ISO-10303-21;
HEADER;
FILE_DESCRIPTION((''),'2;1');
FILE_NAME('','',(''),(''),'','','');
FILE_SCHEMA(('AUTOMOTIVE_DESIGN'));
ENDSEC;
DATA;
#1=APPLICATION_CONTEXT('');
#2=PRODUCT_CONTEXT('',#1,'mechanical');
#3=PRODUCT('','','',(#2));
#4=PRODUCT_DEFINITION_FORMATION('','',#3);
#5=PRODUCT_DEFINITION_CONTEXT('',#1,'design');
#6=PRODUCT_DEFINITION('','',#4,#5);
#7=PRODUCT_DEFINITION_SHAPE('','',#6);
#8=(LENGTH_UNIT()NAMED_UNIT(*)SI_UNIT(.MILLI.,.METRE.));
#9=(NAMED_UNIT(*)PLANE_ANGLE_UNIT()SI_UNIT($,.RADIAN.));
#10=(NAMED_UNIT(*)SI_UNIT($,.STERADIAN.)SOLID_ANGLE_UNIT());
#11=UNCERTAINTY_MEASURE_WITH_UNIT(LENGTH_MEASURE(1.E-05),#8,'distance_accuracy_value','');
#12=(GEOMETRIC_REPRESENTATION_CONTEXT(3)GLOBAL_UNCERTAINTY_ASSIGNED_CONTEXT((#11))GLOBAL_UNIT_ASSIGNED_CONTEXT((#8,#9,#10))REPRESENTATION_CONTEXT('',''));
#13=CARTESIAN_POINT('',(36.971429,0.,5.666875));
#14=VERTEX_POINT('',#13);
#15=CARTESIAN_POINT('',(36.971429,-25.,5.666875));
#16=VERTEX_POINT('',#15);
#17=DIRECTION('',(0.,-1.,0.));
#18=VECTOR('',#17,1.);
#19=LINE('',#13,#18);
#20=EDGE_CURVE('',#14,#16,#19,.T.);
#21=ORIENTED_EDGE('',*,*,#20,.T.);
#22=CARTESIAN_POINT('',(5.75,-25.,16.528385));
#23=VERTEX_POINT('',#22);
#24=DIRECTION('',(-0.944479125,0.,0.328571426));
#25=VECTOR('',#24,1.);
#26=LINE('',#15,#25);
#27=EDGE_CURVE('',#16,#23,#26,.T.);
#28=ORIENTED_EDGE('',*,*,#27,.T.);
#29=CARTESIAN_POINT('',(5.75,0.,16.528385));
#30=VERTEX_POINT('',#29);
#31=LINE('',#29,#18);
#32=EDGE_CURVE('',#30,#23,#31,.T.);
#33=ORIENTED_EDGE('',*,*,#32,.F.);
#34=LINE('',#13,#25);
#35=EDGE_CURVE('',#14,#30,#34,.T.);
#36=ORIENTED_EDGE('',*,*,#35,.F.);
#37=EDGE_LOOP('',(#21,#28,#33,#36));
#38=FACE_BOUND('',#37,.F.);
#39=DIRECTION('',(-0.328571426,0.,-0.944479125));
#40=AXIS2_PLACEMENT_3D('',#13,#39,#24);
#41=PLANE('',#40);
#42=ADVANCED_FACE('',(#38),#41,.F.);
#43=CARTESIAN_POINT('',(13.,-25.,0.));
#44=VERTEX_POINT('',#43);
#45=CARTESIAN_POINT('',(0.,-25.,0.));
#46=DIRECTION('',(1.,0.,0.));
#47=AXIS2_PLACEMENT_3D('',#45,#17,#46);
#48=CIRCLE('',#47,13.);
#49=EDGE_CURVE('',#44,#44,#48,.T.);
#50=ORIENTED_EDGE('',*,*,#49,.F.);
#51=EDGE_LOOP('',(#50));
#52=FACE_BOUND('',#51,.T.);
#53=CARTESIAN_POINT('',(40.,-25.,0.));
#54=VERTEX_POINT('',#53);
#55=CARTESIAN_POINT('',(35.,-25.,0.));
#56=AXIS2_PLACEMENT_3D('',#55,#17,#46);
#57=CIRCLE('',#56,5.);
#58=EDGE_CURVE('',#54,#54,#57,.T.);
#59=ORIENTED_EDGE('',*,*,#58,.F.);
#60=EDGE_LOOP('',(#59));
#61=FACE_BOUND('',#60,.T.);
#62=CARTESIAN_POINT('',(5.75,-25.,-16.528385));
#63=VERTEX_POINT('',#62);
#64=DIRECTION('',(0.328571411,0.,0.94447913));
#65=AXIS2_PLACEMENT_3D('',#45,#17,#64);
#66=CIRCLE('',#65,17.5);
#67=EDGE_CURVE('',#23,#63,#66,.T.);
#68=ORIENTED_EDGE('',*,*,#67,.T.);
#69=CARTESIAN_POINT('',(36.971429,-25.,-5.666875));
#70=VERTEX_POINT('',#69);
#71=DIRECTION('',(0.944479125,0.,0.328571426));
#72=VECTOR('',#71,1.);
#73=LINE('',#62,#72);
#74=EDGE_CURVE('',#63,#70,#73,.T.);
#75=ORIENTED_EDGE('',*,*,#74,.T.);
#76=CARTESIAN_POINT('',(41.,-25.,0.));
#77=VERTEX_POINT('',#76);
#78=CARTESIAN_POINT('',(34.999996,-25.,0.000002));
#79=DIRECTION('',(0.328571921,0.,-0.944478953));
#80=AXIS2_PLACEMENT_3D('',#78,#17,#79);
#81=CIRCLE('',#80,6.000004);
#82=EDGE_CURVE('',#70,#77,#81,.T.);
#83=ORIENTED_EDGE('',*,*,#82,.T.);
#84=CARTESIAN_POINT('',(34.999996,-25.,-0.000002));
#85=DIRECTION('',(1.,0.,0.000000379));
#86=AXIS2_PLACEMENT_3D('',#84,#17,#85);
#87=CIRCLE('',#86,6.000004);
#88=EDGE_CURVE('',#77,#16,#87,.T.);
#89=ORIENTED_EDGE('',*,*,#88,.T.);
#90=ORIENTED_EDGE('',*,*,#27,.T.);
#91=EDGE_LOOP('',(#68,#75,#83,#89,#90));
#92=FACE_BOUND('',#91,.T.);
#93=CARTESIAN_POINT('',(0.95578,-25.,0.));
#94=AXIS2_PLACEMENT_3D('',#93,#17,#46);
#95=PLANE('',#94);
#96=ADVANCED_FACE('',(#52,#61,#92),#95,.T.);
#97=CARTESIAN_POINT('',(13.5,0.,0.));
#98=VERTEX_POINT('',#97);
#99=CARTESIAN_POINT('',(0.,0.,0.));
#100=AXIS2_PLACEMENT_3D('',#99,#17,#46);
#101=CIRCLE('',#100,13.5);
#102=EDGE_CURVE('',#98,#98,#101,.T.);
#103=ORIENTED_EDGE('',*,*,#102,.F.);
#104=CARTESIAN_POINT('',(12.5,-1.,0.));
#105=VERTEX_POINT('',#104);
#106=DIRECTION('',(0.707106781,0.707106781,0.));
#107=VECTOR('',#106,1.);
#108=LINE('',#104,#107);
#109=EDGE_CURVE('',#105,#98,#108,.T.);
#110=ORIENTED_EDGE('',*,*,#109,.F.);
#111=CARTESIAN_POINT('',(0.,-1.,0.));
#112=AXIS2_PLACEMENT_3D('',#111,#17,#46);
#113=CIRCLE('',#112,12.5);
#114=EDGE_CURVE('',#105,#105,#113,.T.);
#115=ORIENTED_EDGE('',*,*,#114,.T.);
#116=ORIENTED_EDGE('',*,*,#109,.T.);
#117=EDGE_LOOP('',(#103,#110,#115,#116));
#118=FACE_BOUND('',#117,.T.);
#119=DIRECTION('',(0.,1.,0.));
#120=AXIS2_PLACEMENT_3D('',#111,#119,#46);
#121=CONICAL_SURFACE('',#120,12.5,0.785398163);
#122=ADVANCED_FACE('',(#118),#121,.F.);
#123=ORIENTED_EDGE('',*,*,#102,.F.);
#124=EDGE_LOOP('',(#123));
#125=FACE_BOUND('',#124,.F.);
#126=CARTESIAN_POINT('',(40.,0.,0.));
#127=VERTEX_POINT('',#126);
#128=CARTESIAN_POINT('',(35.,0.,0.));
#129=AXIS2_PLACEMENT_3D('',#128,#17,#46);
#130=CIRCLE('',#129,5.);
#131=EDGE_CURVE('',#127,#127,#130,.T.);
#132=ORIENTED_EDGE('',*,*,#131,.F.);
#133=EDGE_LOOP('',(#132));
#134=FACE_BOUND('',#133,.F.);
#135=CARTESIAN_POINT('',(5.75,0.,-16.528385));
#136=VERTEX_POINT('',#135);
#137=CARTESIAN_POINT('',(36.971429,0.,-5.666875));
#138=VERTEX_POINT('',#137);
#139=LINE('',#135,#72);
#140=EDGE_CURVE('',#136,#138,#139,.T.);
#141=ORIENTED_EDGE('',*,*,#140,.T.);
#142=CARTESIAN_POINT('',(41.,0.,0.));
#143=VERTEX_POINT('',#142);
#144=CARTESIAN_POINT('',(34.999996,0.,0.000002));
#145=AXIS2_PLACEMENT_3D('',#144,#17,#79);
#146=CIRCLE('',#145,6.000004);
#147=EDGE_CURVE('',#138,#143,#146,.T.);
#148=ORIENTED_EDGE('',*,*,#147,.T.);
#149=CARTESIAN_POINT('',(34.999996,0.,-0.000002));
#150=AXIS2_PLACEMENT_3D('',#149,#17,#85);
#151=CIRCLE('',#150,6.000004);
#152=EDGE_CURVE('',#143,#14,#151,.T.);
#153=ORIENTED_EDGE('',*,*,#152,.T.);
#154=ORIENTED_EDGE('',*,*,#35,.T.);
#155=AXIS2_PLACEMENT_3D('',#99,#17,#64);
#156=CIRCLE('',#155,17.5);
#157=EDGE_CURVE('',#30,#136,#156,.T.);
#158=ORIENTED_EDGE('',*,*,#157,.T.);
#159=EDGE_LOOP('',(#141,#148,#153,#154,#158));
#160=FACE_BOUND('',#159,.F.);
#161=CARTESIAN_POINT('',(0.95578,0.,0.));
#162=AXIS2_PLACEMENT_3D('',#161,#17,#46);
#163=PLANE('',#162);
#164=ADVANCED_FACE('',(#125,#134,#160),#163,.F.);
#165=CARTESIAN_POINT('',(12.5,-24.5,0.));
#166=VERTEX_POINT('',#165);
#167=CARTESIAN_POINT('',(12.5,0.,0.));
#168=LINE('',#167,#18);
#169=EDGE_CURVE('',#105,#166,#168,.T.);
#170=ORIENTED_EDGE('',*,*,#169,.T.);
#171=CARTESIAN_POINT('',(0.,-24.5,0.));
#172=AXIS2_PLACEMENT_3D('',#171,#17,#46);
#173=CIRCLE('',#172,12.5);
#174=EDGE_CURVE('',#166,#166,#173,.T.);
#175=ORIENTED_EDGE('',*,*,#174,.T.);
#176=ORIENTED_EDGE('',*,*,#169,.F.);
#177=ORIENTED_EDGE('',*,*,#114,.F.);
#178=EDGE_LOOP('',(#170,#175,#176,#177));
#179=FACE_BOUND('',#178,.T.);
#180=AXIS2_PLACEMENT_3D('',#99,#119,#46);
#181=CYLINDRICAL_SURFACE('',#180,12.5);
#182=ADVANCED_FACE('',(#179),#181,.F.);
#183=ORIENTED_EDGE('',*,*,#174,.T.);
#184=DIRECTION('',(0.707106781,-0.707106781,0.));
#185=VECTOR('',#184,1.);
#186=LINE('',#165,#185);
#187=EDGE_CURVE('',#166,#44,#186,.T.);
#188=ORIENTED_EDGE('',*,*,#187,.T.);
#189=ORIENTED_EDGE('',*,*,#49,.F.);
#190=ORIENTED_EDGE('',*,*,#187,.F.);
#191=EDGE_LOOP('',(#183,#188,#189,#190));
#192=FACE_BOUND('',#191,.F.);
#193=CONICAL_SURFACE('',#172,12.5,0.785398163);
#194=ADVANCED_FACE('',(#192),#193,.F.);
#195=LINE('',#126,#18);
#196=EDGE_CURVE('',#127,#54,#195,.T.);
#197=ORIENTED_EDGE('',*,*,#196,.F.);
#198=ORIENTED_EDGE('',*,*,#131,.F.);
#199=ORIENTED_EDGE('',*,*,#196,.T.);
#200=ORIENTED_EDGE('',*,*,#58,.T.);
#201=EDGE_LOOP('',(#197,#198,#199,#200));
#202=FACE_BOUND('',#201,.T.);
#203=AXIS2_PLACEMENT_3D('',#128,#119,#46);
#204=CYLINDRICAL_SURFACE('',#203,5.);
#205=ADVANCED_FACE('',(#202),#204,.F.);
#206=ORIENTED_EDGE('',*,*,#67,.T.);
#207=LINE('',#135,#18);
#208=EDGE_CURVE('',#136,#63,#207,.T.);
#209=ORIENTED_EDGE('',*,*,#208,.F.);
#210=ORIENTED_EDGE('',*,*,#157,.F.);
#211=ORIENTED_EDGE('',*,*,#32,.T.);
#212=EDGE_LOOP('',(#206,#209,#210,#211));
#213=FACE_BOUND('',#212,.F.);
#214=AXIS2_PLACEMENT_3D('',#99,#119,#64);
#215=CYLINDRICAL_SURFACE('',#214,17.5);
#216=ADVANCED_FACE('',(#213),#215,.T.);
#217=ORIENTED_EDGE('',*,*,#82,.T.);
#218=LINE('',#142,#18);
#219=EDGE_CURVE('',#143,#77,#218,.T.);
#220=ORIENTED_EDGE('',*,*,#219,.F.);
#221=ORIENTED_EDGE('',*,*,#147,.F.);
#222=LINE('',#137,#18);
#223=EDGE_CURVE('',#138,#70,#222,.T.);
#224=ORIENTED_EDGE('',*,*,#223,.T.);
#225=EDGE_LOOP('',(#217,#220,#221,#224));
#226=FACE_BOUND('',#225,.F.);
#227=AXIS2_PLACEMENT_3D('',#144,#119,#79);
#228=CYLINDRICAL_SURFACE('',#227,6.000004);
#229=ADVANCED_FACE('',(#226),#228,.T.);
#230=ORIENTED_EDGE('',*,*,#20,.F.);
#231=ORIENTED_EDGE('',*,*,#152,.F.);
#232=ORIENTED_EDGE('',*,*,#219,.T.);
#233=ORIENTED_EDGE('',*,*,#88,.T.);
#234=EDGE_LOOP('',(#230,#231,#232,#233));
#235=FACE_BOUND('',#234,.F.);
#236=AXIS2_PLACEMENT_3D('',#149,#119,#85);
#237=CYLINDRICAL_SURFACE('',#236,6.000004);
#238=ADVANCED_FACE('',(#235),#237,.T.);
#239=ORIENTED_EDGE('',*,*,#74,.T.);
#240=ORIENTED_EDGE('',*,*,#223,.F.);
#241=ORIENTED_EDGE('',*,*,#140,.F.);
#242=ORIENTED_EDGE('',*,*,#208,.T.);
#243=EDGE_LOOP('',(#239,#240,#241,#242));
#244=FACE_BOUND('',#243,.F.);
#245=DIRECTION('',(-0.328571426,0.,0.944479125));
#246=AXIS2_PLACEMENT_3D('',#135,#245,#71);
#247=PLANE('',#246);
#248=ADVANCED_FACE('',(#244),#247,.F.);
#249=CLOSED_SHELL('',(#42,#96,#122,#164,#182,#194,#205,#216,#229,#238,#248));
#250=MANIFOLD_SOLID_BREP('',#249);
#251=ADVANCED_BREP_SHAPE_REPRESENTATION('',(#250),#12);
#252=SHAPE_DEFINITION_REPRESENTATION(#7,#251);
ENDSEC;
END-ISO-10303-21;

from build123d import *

# Parameters (mm, degrees)
F0_R     = 12.5
F0_R_2   = 5
F3_DEPTH = 25
F1_SIZE  = 0.5
F2_SIZE  = 1


with BuildPart() as f3:
    # F0 (on Front) → F3 (new body)
    with BuildSketch(Plane.XZ):
        with BuildLine():
            ThreePointArc((5.75, -16.528385), (14.263152, -10.13965), (17.5, 0))
            ThreePointArc((17.5, 0), (14.263152, 10.13965), (5.75, 16.528385))
            ThreePointArc((5.75, 16.528385), (-17.5, 0), (5.75, -16.528385))
        make_face()
        Circle(F0_R, mode=Mode.SUBTRACT)
        with BuildLine():
            ThreePointArc((5.75, 16.528385), (14.263152, 10.13965), (17.5, 0))
            ThreePointArc((17.5, 0), (14.263152, -10.13965), (5.75, -16.528385))
            Line((5.75, -16.528385), (36.971429, -5.666875))
            ThreePointArc((36.971429, -5.666875), (29, 0), (36.971429, 5.666875))
            Line((36.971429, 5.666875), (5.75, 16.528385))
        make_face()
        with BuildLine():
            ThreePointArc((41, 0), (39.890223, 3.476451), (36.971429, 5.666875))
            ThreePointArc((36.971429, 5.666875), (29, 0), (36.971429, -5.666875))
            ThreePointArc((36.971429, -5.666875), (39.890223, -3.476451), (41, 0))
        make_face()
        with Locations((35, 0)):
            Circle(F0_R_2, mode=Mode.SUBTRACT)
    extrude(amount=F3_DEPTH)

    # F1
    f1_edges = [f3.edges().sort_by_distance(p)[0] for p in [
        (-12.5, -25, 0),
    ]]
    chamfer(f1_edges, length=F1_SIZE)

    # F2
    f2_edges = [f3.edges().sort_by_distance(p)[0] for p in [
        (-12.5, 0, 0),
    ]]
    chamfer(f2_edges, length=F2_SIZE)


solid = f3.part
